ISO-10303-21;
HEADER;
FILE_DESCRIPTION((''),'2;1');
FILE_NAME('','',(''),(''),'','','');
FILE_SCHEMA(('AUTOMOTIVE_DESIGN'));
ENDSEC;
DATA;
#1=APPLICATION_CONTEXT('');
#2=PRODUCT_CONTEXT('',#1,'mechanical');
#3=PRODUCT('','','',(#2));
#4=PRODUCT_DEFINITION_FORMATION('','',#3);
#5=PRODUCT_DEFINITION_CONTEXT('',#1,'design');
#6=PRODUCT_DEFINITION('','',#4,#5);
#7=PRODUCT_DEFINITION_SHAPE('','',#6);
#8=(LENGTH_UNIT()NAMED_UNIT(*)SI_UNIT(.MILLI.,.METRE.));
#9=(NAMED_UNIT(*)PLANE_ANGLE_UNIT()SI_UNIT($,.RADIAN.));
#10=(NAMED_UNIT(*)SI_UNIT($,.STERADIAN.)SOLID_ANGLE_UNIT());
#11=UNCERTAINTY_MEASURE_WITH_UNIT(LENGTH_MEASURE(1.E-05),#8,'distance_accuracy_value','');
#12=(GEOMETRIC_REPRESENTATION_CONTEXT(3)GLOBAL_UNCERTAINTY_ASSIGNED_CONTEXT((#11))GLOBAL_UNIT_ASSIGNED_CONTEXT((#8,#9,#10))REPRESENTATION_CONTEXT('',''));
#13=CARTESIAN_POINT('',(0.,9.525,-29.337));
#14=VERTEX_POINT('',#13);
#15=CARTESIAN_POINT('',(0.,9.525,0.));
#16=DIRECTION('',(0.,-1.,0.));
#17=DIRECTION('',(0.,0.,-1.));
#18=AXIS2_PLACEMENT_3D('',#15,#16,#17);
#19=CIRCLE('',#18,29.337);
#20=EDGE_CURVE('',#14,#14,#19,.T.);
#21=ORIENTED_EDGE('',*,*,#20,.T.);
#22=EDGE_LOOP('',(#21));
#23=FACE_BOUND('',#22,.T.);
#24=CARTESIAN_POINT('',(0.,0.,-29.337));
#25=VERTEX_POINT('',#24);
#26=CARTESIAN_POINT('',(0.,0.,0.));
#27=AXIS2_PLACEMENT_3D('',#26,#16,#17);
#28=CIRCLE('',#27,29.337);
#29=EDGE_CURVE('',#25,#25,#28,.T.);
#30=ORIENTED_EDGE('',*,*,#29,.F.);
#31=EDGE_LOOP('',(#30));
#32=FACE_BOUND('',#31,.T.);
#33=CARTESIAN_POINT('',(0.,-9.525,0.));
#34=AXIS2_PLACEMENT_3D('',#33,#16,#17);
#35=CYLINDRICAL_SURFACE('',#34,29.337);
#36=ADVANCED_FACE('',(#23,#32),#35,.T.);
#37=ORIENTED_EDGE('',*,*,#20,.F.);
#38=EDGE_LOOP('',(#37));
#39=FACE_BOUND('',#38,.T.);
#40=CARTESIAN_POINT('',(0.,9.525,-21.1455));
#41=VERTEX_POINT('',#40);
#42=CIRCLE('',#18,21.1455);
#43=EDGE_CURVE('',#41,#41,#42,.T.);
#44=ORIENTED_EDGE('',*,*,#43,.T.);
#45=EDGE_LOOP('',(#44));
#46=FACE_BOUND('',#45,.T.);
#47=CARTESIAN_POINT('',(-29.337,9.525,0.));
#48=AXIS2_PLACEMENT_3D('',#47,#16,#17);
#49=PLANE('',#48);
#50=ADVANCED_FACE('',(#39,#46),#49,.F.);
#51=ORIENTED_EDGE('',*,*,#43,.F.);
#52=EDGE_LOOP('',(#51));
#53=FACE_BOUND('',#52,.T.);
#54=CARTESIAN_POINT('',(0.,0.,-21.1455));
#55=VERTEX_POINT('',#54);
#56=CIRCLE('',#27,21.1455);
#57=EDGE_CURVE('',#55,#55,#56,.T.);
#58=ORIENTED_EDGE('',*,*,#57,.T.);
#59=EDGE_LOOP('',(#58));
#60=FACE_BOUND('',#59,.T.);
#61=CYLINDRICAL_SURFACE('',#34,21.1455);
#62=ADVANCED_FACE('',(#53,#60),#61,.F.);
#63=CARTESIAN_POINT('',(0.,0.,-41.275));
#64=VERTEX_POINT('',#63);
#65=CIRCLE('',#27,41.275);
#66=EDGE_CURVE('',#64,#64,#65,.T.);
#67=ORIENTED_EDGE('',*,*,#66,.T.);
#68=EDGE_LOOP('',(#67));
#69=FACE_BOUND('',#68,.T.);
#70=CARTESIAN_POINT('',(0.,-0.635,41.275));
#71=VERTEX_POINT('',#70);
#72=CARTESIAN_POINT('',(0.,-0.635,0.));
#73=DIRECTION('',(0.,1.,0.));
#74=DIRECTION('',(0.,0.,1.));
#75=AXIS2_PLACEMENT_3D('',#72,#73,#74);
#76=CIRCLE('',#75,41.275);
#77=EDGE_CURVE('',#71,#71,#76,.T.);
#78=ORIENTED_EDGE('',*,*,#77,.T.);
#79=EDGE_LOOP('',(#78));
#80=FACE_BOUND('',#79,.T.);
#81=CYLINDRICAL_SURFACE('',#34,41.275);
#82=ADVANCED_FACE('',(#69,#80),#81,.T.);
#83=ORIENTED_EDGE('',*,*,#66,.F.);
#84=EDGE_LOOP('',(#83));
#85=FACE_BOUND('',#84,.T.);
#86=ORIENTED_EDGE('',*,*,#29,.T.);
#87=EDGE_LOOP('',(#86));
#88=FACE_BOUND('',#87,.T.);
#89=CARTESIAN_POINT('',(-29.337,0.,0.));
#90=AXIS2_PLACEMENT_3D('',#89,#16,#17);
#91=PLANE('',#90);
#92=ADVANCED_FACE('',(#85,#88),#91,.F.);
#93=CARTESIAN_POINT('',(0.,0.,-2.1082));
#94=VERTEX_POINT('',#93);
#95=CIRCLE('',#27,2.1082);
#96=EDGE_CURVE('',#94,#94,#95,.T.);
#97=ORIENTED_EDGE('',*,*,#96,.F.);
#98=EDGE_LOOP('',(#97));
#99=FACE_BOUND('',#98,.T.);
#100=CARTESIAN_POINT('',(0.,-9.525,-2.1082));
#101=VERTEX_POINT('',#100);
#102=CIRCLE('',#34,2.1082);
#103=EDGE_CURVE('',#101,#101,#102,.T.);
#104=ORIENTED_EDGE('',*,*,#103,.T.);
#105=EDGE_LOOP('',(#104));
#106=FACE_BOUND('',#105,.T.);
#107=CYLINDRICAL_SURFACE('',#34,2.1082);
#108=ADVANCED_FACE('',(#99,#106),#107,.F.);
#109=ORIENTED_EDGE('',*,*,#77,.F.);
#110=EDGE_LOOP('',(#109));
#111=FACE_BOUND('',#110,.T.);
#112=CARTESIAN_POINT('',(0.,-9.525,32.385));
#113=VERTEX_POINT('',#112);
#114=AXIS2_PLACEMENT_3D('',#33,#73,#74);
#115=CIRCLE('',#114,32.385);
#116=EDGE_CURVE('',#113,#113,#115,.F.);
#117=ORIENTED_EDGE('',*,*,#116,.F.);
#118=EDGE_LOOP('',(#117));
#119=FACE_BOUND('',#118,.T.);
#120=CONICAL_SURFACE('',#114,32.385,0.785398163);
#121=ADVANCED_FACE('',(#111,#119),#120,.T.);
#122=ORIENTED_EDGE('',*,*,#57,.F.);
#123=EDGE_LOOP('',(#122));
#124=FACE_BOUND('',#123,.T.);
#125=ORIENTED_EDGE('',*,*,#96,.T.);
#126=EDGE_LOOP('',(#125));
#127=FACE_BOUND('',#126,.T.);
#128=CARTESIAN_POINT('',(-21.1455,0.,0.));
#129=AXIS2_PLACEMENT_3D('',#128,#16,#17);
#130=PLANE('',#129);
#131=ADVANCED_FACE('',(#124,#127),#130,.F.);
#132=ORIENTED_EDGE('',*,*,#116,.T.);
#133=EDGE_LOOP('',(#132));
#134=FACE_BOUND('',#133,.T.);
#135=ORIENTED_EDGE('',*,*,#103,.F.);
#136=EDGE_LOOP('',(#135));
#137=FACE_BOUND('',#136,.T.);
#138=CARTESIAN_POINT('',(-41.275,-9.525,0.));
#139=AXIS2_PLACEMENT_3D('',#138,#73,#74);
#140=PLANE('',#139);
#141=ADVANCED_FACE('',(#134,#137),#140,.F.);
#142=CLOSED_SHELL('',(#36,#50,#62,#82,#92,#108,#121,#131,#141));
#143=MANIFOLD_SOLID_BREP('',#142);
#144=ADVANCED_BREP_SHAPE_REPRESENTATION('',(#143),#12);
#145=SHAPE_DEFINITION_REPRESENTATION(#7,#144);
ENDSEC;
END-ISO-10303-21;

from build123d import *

# Parameters (mm, degrees)
CHAMFER1_SIZE               = 8.89
F_19_0_166_DIAMETER_HOLE1_D = 4.2164


with BuildPart() as part:
    # Sketch1 → Revolve1 (revolve)
    with BuildSketch(Plane.XY, mode=Mode.PRIVATE) as revolve1_sk:
        Polygon((-29.337, 0), (-41.275, 0), (-41.275, -9.525), (0, -9.525), (0, 0), (-21.1455, 0), (-21.1455, 9.525), (-29.337, 9.525), align=None)
    revolve(revolve1_sk.sketch.rotate(Axis((0, -9.525, 0), (0, 1, 0)), 270), axis=Axis((0, -9.525, 0), (0, 1, 0)))

    # Chamfer1
    chamfer1_edges = [part.edges().sort_by_distance(p)[0] for p in [
        (0, -9.525, 41.275),
    ]]
    chamfer(chamfer1_edges, length=CHAMFER1_SIZE)

    # #19 (0.166) Diameter Hole1 (through all)
    with Locations(Plane(origin=(0, -9.525, 0), x_dir=(0, 0, -1), z_dir=(0, -1, 0))):
        with Locations((0, 0)):
            Hole(F_19_0_166_DIAMETER_HOLE1_D / 2)


solid = part.part
